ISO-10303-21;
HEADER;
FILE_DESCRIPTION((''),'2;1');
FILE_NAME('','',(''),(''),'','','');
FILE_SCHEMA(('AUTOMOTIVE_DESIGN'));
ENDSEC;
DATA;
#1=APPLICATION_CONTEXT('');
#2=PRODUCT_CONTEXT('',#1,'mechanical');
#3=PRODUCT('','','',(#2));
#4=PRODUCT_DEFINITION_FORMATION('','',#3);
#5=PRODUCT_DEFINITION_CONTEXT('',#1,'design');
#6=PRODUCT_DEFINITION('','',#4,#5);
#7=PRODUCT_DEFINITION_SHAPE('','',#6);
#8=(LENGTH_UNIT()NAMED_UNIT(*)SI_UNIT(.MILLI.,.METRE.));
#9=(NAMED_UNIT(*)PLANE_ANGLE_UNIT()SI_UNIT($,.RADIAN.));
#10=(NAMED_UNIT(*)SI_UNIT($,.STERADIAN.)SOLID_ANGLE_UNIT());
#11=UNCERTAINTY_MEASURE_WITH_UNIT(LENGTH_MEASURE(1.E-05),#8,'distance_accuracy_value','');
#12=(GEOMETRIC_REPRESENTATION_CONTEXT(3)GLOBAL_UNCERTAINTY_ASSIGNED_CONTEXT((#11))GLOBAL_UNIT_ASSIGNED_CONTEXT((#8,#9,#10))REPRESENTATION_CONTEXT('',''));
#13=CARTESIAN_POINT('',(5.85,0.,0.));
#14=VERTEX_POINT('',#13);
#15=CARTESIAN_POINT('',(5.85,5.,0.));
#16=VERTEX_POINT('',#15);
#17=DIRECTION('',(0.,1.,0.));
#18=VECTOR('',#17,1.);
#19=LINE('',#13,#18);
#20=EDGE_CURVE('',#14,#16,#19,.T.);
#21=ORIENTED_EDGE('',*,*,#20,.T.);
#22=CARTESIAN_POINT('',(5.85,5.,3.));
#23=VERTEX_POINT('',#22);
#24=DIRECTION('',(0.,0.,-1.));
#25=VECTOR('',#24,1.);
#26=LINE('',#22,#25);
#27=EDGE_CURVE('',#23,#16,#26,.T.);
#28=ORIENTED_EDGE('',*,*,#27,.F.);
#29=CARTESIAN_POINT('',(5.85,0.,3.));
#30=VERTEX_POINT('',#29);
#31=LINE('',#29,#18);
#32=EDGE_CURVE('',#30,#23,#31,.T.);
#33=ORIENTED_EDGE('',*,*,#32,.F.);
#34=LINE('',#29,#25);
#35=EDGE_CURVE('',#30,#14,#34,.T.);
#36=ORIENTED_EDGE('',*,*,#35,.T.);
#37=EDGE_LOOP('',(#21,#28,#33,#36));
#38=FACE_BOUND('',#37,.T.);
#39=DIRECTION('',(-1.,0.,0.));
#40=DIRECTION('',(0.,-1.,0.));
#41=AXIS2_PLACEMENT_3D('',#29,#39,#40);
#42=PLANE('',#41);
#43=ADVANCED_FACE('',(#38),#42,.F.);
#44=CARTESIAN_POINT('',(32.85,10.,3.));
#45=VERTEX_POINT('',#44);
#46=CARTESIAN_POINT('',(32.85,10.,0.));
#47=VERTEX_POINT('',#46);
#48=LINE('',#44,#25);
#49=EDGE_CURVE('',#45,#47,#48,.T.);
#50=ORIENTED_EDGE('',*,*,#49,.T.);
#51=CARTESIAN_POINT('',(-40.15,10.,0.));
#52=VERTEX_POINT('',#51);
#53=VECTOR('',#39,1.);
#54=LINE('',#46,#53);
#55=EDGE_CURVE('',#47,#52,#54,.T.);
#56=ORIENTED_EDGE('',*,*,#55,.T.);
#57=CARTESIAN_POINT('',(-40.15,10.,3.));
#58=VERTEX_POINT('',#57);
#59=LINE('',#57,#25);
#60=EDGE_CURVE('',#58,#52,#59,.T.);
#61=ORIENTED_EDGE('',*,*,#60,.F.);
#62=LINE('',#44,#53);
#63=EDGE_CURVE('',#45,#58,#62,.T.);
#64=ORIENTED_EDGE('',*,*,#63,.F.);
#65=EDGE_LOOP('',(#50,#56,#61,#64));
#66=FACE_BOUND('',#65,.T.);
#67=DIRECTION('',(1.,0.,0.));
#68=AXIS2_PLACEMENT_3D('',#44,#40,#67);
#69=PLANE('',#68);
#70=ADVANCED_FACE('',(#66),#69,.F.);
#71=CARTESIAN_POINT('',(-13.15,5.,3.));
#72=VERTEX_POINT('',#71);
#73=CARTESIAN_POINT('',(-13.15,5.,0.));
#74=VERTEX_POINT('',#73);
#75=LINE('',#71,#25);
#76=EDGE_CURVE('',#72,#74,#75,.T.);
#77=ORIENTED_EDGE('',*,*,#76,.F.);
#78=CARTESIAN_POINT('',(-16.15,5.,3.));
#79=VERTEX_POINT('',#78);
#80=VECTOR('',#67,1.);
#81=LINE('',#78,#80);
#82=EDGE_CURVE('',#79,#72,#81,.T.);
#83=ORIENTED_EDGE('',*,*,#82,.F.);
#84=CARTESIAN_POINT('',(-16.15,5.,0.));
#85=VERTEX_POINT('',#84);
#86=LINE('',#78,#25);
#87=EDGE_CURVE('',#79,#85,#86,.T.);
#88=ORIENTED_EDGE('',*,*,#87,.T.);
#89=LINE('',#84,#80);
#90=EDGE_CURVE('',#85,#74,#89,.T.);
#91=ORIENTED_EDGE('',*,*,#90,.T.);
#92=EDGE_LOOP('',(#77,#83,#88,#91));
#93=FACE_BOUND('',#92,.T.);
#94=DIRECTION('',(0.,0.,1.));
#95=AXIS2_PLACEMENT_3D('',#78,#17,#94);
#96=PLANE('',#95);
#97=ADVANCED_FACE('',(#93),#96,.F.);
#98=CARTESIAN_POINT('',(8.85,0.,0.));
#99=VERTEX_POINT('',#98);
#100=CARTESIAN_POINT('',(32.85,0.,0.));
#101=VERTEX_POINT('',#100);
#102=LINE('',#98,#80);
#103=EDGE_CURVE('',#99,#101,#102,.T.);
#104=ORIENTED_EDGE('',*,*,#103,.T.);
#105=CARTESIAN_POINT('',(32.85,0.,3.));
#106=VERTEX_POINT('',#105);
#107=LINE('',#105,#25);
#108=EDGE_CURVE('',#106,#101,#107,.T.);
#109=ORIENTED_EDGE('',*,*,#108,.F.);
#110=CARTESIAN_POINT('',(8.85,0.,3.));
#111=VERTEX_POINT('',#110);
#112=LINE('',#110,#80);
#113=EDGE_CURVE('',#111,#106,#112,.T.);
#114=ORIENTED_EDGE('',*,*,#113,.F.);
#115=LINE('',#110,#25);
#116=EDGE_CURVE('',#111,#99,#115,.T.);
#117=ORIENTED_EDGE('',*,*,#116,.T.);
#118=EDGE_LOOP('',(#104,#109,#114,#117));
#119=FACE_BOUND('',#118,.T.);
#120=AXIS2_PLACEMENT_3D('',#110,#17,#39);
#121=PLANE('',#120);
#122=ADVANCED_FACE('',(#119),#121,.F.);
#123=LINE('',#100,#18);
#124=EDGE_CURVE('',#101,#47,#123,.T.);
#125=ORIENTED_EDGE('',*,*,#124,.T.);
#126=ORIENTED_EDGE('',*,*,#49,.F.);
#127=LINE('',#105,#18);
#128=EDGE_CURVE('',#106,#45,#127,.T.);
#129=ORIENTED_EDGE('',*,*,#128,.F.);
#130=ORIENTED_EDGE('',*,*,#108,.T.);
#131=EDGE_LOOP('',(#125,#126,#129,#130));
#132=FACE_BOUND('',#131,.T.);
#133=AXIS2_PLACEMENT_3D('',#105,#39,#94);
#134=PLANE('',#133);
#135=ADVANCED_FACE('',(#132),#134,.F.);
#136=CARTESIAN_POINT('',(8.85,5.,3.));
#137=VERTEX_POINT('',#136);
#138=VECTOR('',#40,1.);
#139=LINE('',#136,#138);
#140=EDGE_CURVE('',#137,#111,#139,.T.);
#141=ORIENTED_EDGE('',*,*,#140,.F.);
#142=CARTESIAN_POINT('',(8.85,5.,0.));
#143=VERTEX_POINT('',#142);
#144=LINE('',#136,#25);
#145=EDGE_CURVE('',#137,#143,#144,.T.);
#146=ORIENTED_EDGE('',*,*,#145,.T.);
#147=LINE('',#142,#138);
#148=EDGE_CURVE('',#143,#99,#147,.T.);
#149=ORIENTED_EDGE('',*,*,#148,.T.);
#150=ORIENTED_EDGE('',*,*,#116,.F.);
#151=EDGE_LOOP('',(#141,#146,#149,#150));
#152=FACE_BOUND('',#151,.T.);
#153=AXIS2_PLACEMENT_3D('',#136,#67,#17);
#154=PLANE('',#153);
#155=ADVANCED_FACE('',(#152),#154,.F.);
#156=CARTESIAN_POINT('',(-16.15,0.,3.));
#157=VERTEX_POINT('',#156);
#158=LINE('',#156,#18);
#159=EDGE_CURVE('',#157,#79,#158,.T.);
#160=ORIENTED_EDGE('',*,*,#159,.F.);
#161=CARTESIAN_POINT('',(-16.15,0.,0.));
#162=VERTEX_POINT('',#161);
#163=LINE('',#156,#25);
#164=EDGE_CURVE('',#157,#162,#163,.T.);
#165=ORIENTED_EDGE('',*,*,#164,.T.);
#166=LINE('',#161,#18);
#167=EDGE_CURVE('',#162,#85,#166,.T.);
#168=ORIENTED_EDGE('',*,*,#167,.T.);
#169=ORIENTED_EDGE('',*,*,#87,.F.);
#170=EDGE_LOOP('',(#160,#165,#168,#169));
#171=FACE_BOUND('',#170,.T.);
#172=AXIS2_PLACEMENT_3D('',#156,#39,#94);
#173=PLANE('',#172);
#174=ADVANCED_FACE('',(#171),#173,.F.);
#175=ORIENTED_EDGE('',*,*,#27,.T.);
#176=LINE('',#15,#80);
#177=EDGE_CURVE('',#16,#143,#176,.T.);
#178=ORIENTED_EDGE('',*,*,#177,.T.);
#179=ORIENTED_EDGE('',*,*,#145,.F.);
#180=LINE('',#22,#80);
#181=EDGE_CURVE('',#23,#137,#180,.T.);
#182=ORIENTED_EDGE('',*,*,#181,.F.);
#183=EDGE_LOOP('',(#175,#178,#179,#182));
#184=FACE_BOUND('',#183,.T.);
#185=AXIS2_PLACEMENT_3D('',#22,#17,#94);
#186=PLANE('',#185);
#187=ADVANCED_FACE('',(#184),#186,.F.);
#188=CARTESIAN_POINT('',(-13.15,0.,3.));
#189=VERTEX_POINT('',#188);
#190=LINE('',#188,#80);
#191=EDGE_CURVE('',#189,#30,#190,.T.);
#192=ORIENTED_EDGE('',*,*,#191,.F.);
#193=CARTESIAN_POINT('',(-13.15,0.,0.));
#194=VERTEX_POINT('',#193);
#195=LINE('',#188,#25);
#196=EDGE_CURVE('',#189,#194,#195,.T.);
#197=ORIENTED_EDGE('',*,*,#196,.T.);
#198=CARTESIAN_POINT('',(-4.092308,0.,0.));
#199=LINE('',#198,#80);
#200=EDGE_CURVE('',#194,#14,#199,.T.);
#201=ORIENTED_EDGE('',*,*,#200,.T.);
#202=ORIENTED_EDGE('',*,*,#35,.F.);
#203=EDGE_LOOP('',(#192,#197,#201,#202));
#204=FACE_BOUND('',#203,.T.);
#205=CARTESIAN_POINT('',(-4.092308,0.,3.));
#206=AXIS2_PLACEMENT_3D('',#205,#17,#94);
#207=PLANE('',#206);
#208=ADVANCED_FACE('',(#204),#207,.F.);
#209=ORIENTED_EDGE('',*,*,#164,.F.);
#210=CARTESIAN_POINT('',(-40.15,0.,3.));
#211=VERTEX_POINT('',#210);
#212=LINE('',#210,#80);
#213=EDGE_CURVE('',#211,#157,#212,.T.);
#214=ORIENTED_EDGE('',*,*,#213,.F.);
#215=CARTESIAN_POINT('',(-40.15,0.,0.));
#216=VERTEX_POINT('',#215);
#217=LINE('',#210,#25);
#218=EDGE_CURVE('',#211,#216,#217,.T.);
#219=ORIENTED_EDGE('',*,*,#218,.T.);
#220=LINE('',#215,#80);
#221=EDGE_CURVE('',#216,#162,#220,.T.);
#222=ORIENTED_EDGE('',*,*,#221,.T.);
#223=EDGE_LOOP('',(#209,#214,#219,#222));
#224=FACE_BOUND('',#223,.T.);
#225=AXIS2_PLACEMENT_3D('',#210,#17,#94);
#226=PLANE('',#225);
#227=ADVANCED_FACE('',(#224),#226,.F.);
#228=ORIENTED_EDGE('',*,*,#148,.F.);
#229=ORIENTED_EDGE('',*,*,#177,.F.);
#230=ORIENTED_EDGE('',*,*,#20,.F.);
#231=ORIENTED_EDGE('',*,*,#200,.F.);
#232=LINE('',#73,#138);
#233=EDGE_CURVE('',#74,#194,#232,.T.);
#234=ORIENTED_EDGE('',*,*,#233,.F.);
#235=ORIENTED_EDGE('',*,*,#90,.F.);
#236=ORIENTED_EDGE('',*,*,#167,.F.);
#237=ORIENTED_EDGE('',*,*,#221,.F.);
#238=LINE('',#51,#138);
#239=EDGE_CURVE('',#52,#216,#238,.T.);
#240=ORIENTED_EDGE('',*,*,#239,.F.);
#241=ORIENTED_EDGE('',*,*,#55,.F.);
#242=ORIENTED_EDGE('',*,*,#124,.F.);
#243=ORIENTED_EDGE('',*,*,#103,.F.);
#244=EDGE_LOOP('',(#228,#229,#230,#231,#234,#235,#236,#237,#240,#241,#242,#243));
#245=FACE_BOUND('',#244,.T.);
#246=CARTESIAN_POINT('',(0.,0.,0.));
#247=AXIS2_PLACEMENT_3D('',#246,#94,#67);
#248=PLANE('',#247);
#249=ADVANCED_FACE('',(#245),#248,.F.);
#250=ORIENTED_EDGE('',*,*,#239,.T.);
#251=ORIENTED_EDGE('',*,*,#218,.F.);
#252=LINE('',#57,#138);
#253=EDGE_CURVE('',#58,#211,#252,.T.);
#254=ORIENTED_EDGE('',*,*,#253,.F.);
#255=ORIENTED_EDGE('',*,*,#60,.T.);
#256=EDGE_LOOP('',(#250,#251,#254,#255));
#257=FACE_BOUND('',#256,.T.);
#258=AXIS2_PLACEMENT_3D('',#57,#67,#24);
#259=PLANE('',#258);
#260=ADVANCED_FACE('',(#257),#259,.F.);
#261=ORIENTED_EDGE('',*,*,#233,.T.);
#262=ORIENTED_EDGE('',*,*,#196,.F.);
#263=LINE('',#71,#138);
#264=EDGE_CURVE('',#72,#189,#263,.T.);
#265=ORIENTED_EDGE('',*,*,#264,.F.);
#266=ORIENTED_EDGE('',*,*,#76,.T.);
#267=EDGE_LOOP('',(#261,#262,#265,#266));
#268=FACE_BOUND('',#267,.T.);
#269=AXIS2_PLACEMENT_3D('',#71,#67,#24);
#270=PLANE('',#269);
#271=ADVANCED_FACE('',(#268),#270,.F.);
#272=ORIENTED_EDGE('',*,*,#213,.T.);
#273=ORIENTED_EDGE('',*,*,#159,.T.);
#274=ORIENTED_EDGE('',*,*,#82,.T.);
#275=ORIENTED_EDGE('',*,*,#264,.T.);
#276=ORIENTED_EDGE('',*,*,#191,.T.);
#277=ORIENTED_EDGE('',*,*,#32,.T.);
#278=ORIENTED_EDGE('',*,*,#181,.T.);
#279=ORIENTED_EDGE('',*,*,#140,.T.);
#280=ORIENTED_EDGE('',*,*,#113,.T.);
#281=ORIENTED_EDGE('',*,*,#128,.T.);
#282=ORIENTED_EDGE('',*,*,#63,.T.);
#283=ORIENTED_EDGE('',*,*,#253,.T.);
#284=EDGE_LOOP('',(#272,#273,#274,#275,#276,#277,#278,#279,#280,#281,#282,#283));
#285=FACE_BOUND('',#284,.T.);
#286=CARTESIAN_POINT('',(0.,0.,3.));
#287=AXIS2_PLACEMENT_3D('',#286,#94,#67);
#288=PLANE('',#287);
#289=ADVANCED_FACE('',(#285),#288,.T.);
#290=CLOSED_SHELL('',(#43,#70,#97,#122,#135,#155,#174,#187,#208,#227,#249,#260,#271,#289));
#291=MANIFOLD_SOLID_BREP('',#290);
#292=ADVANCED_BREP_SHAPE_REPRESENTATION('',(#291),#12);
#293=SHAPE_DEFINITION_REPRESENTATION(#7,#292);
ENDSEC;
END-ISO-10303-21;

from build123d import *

# Parameters (mm, degrees)
BOSS_EXTRUDE1_DEPTH = 3


with BuildPart() as part:
    # Sketch1 → Boss-Extrude1 (new body)
    with BuildSketch(Plane.XY):
        Polygon((-4.092307692, 0), (5.85, 0), (5.85, 5), (8.85, 5), (8.85, 0), (32.85, 0), (32.85, 10), (-40.15, 10), (-40.15, 0), (-16.15, 0), (-16.15, 5), (-13.15, 5), (-13.15, 0), align=None)
    extrude(amount=BOSS_EXTRUDE1_DEPTH)


solid = part.part
